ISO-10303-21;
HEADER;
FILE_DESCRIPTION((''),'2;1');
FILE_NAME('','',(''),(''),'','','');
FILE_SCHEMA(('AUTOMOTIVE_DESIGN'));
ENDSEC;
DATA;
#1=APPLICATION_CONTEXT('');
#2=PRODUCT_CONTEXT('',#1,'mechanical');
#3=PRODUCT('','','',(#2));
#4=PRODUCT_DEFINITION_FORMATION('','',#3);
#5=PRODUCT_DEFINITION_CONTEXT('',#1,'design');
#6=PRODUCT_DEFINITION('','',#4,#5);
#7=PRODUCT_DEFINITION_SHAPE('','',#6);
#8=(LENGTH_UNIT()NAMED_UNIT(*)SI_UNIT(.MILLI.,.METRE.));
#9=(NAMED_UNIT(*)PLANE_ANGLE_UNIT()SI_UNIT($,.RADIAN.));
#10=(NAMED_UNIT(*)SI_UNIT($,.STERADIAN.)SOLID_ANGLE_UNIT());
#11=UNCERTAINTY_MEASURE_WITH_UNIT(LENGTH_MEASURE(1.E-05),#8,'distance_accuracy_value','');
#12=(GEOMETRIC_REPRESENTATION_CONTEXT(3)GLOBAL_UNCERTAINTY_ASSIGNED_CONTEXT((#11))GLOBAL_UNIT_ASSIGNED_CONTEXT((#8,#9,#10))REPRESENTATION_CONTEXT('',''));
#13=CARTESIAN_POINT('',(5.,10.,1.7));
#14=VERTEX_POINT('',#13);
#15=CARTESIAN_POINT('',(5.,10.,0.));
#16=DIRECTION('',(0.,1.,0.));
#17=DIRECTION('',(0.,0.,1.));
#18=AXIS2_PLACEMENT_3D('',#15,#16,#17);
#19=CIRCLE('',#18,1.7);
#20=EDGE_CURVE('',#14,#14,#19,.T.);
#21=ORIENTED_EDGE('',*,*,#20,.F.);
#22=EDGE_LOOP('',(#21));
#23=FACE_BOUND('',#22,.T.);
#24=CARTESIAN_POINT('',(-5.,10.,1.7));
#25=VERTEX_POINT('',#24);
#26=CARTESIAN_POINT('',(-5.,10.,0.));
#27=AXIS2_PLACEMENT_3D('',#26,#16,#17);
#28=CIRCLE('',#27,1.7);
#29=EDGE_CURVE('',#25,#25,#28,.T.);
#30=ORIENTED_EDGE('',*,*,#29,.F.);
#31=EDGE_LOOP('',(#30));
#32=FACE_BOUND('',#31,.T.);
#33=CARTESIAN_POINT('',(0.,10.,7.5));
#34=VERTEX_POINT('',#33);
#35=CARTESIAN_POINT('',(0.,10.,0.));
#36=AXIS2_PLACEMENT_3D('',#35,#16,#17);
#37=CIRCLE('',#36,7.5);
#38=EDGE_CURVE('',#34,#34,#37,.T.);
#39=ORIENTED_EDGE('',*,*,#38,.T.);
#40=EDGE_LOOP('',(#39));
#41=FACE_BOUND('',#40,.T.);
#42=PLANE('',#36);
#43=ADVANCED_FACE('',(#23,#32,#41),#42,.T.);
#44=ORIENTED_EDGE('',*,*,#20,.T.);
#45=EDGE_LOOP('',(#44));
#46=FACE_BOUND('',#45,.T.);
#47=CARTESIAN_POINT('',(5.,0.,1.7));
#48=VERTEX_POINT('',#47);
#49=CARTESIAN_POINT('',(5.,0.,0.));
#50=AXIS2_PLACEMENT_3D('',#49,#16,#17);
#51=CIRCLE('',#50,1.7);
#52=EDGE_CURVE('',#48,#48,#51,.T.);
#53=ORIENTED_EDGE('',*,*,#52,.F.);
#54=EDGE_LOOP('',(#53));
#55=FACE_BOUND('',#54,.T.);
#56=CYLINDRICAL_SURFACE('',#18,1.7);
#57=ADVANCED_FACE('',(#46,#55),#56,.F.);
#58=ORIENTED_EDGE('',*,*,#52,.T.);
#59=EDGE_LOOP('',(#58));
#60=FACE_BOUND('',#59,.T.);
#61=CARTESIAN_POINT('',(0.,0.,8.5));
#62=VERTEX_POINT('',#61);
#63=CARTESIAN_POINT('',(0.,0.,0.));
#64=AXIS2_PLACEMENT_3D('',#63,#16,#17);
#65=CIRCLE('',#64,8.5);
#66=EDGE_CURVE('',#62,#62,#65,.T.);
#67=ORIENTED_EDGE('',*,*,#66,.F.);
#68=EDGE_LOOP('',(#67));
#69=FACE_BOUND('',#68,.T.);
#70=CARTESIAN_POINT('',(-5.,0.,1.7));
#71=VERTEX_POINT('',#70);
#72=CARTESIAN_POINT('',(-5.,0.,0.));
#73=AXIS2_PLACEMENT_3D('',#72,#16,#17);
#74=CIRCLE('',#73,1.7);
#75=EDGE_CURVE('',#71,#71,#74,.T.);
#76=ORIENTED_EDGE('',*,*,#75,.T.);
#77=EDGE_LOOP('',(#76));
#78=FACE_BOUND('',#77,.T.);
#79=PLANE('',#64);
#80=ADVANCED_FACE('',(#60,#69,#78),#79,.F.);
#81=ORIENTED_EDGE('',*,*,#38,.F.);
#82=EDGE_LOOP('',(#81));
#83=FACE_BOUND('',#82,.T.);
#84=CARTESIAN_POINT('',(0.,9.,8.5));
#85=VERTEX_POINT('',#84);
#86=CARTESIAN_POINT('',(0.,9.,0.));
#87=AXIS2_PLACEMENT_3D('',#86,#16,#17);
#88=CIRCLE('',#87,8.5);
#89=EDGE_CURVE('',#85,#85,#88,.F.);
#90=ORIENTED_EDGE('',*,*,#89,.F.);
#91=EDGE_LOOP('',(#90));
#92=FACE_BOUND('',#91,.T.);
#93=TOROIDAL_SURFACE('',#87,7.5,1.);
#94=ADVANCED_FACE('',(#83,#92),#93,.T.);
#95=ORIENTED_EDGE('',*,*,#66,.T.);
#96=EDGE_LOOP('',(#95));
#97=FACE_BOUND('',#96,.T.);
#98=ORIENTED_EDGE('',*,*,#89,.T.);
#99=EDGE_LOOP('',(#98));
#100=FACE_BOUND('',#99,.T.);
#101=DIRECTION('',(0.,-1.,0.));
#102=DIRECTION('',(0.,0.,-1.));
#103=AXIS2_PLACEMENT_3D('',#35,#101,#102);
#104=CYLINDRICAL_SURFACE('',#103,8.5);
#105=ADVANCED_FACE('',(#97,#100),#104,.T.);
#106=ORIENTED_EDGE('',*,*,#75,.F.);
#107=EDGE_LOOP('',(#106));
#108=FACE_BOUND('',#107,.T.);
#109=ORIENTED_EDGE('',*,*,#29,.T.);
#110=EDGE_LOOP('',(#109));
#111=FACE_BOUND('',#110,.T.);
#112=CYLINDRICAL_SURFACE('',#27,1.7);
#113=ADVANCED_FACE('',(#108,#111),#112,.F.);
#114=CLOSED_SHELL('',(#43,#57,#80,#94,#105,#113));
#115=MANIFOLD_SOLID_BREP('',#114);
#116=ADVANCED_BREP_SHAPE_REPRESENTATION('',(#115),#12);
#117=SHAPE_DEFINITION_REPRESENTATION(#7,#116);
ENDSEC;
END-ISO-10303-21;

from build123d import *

# Parameters (mm, degrees)
SKETCH1_R            = 8.5
BOSS_EXTRUDE1_DEPTH  = 10
FILLET2_R            = 1
M3_CLEARANCE_HOLE1_D = 3.4


with BuildPart() as part:
    # Sketch1 → Boss-Extrude1 (new body)
    with BuildSketch(Plane(origin=(0, 0, 0), x_dir=(1, 0, 0), z_dir=(0, 1, 0))):
        with Locations(Location((0, 0, 0), (0, 0, 270))):
            Circle(SKETCH1_R)
    extrude(amount=BOSS_EXTRUDE1_DEPTH)

    # Fillet2
    fillet2_edges = [part.edges().sort_by_distance(p)[0] for p in [
        (0, 10, -8.5),
    ]]
    fillet(fillet2_edges, radius=FILLET2_R)

    # M3 Clearance Hole1 (through all)
    with Locations(Plane(origin=(0, 10, 0), x_dir=(1, 0, 0), z_dir=(0, 1, 0))):
        with Locations((-5, 0), (5, 0)):
            Hole(M3_CLEARANCE_HOLE1_D / 2)


solid = part.part
